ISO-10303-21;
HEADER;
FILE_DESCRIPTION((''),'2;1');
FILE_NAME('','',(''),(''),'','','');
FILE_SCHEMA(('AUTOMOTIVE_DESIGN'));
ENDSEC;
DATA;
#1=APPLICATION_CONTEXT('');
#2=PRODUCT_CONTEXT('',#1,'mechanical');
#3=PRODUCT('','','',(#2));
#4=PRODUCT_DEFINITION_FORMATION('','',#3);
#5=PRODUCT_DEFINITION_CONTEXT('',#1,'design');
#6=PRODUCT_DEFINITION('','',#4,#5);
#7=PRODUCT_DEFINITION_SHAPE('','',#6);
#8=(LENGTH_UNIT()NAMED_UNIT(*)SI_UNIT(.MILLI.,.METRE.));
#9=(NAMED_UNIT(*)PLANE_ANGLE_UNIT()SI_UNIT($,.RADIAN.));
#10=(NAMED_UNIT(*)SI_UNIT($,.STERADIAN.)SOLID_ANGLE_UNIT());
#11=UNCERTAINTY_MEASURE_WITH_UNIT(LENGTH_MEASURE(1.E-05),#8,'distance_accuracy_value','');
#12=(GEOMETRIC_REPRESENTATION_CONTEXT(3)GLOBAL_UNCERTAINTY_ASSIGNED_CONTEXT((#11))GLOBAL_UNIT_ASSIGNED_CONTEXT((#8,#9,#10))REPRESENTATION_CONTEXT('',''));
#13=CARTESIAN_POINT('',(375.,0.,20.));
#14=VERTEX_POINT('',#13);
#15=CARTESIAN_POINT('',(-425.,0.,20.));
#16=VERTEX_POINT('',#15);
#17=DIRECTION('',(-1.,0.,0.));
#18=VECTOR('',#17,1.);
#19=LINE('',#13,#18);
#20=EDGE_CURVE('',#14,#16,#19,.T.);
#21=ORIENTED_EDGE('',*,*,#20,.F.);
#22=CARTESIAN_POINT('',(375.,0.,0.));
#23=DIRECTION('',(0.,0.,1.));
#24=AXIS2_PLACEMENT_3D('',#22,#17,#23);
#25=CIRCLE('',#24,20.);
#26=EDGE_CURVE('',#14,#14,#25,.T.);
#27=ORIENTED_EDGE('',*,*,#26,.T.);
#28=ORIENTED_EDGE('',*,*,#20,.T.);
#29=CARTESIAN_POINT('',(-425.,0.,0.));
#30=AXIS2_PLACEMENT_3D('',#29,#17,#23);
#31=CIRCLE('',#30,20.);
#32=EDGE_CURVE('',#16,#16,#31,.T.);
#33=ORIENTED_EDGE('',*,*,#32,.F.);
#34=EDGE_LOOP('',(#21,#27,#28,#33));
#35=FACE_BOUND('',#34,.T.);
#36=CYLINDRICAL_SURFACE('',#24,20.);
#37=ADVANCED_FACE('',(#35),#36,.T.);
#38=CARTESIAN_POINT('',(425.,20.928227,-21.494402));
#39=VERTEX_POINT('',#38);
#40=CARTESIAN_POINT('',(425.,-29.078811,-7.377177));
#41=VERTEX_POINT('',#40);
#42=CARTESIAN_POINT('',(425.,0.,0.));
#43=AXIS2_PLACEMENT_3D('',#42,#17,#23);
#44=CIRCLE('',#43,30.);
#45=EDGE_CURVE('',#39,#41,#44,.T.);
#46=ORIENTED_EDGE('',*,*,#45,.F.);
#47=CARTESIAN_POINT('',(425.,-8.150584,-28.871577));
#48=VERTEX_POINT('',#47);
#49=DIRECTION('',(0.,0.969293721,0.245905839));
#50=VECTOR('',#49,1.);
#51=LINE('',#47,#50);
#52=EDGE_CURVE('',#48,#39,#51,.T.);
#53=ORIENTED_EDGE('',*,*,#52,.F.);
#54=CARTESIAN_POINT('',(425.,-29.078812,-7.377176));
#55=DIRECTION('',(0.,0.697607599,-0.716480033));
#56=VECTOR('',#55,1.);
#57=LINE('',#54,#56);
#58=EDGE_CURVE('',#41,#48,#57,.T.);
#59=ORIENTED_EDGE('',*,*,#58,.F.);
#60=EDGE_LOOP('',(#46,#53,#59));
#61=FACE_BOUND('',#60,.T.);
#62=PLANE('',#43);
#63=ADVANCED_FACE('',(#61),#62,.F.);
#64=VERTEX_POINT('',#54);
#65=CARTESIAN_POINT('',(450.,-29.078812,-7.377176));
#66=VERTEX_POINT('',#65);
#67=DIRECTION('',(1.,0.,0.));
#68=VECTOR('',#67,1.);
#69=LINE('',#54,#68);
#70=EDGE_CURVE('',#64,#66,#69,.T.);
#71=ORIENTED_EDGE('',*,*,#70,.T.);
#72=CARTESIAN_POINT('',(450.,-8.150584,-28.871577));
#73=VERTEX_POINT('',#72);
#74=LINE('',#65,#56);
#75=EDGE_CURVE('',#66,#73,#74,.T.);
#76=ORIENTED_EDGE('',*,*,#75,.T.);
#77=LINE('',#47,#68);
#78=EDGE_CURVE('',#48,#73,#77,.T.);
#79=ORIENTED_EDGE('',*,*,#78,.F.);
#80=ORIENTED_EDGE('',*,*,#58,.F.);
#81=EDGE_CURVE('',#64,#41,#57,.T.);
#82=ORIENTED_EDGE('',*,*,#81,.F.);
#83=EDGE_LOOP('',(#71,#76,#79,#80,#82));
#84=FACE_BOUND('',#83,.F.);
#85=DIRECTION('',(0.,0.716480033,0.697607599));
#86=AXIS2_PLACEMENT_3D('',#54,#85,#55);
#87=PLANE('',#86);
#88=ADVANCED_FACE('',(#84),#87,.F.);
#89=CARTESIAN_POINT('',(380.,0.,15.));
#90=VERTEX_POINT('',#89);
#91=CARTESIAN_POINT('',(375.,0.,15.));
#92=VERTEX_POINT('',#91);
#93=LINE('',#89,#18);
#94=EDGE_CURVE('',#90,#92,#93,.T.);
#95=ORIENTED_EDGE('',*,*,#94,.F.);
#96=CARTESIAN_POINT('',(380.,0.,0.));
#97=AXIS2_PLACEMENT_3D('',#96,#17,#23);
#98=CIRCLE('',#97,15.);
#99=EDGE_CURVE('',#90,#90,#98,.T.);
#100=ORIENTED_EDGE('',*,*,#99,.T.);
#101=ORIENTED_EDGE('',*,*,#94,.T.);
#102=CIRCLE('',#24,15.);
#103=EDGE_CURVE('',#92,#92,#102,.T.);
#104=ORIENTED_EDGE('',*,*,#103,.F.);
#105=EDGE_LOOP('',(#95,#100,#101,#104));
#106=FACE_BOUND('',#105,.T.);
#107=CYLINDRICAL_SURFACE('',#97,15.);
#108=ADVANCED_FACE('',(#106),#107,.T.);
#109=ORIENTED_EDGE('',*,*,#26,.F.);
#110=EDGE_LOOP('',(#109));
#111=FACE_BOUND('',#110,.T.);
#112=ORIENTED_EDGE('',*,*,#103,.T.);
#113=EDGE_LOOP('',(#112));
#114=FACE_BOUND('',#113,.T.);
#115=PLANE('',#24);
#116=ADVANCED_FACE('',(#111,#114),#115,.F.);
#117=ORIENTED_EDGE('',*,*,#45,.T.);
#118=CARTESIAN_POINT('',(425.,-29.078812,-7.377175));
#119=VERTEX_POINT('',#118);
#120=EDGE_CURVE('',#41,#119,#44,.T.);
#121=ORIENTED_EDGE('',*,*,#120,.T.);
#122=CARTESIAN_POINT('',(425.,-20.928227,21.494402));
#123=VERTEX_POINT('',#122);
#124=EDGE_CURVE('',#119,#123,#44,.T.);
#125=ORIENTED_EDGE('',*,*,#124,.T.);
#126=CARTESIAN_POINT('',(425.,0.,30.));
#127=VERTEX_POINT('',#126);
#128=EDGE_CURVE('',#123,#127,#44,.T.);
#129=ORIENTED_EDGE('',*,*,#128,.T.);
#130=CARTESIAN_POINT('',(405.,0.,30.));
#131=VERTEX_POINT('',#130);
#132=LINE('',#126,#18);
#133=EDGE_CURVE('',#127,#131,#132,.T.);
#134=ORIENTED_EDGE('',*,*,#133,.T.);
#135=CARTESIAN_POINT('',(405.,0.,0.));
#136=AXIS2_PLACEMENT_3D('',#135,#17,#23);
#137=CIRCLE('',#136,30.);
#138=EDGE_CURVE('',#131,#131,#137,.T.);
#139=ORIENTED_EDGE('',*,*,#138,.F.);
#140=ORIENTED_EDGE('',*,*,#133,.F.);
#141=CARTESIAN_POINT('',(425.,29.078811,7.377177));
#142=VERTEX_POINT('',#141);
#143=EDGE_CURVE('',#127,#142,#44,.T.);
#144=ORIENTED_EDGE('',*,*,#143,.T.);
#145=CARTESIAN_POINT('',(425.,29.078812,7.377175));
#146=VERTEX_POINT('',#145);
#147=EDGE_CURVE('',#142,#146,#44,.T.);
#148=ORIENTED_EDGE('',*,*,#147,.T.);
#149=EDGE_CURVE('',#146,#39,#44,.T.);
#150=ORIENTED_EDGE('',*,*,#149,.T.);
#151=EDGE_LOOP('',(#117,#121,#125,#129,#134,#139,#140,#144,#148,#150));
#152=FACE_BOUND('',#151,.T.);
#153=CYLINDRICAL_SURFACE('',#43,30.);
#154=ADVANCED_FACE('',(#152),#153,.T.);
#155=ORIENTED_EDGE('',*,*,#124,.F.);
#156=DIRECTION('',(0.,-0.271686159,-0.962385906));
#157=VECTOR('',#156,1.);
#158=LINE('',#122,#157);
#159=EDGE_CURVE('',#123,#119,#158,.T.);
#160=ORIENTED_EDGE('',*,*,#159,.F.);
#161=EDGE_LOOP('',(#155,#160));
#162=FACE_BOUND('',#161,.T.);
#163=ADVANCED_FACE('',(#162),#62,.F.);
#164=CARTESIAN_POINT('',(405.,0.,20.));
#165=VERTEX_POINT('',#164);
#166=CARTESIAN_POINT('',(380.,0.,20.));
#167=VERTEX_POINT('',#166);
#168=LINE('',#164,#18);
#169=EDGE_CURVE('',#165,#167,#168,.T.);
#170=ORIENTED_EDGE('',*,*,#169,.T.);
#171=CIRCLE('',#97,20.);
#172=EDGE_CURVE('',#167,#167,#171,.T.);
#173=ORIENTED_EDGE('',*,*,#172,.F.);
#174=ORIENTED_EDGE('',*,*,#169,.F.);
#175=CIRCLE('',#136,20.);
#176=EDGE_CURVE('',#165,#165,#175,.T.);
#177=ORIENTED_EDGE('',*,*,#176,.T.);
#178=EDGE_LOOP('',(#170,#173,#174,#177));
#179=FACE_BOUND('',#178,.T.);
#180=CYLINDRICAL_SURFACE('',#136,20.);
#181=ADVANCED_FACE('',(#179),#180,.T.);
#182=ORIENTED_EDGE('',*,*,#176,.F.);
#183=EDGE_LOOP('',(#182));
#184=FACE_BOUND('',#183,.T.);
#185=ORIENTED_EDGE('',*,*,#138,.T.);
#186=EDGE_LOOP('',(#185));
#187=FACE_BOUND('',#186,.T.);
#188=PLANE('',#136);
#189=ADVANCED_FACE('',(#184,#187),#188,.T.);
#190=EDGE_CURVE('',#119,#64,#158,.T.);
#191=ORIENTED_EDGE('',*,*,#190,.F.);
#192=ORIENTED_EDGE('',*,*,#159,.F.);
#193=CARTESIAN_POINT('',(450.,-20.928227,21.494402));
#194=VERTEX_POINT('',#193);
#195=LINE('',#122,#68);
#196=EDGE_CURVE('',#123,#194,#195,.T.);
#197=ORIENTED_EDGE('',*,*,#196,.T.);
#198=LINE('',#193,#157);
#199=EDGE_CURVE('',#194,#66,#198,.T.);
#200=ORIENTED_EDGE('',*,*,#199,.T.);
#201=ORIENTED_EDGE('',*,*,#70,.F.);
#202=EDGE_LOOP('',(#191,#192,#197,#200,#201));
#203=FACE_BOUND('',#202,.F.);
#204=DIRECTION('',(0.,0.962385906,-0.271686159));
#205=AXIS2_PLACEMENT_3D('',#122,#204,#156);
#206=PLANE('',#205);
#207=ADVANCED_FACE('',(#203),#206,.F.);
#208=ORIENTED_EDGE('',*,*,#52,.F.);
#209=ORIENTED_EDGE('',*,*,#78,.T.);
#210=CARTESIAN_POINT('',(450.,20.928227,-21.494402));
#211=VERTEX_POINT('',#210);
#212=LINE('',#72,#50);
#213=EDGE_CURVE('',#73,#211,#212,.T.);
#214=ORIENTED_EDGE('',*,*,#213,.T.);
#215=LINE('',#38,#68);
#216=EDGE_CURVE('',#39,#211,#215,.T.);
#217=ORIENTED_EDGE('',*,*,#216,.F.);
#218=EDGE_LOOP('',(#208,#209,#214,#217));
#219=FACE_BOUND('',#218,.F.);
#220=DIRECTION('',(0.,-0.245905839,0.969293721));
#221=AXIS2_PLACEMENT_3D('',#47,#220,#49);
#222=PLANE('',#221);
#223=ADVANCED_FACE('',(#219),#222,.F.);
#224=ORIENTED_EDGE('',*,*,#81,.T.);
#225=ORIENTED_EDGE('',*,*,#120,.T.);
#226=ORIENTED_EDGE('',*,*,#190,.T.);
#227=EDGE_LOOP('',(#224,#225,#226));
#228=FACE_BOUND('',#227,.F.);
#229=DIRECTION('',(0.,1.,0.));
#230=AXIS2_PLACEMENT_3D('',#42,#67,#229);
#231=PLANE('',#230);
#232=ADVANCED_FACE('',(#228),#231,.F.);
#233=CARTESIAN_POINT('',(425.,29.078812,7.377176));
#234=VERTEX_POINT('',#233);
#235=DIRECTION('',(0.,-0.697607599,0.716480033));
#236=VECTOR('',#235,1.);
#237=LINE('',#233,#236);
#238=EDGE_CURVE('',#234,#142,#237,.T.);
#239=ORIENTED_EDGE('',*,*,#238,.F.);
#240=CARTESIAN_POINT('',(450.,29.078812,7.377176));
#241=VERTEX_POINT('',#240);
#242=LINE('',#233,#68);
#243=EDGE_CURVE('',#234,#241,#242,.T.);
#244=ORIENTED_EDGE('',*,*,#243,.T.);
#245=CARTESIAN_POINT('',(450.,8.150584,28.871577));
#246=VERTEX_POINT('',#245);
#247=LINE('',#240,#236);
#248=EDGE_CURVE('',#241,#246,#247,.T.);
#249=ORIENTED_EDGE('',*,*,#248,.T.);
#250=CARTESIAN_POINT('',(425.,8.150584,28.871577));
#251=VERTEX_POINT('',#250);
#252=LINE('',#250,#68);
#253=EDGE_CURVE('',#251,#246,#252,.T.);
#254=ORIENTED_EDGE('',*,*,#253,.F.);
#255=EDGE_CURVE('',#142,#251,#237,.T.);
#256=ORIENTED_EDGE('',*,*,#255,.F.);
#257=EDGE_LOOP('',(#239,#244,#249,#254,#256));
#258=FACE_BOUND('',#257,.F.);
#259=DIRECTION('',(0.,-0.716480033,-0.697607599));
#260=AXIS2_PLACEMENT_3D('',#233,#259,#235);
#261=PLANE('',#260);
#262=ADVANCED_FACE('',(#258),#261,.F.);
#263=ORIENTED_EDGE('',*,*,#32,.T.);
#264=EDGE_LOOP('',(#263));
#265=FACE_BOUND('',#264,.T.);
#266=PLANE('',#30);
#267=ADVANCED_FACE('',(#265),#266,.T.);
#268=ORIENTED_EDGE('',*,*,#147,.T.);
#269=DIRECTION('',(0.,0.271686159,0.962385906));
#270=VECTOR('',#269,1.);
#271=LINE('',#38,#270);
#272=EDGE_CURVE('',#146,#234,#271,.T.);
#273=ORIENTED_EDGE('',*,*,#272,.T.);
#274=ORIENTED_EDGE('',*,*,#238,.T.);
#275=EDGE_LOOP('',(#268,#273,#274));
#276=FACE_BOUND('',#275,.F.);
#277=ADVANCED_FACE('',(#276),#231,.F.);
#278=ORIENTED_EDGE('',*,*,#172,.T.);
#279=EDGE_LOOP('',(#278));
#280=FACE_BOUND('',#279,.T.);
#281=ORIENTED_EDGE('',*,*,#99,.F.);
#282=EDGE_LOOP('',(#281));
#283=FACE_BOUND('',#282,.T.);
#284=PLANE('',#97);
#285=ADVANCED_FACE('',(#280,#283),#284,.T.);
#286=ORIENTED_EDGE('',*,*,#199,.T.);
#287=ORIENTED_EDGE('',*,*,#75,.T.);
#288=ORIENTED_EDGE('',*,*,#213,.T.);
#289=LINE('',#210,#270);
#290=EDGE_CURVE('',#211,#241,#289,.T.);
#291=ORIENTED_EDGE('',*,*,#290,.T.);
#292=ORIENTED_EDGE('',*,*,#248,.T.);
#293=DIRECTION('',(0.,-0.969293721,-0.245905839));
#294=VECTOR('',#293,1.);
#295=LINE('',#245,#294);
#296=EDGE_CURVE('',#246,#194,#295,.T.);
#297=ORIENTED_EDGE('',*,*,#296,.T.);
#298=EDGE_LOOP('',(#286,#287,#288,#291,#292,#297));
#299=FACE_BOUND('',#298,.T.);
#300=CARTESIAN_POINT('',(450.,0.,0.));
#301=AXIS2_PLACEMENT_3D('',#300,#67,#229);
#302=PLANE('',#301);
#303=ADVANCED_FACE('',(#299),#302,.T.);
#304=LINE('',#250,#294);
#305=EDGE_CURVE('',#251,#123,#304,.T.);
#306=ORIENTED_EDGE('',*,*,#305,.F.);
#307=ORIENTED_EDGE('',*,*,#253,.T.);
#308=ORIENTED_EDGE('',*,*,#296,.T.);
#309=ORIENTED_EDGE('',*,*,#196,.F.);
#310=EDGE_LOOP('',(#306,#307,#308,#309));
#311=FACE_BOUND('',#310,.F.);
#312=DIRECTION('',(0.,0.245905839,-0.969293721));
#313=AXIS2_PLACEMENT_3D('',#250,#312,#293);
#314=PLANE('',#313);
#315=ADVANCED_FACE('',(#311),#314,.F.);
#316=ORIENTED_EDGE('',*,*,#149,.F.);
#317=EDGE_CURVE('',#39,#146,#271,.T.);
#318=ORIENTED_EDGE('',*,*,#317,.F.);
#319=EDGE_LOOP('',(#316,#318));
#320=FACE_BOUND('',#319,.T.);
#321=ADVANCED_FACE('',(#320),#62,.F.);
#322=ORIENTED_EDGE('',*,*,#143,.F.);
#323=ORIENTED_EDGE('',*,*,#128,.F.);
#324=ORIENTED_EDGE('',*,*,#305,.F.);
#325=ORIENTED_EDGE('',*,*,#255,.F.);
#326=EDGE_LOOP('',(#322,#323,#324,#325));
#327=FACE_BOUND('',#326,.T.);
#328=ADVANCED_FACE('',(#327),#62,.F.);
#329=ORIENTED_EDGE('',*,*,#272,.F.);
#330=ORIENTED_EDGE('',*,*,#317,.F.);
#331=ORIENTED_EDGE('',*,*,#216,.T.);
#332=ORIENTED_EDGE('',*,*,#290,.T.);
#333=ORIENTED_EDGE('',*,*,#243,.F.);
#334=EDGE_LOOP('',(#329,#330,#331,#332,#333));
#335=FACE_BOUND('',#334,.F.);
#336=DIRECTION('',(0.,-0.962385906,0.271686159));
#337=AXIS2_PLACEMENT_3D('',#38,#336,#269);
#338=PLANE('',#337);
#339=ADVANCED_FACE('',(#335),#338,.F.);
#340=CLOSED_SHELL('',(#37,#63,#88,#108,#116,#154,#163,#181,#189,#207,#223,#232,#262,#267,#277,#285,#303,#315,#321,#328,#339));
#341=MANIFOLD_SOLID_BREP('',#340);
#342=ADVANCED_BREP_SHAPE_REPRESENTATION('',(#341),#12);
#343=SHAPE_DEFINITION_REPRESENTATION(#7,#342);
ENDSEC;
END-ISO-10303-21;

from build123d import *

# Parameters (mm, degrees)
F3_DEPTH = 25


with BuildPart() as f1:
    # F0 (on Front) → F1 (revolve)
    with BuildSketch(Plane.XZ):
        Polygon((-425, 0), (425, 0), (425, 30), (405, 30), (405, 20), (380, 20), (380, 15), (375, 15), (375, 20), (-425, 20), align=None)
    revolve(axis=Axis((-11.130214, 0, 0), (-1, 0, 0)))

    # F2 (on face) → F3 (join)
    with BuildSketch(Plane.YZ.offset(425)):
        Polygon((20.928227, -21.494402), (29.078812, 7.377176), (8.150584, 28.871577), (-20.928227, 21.494402), (-29.078812, -7.377176), (-8.150584, -28.871577), align=None)
    extrude(amount=F3_DEPTH)


solid = f1.part
